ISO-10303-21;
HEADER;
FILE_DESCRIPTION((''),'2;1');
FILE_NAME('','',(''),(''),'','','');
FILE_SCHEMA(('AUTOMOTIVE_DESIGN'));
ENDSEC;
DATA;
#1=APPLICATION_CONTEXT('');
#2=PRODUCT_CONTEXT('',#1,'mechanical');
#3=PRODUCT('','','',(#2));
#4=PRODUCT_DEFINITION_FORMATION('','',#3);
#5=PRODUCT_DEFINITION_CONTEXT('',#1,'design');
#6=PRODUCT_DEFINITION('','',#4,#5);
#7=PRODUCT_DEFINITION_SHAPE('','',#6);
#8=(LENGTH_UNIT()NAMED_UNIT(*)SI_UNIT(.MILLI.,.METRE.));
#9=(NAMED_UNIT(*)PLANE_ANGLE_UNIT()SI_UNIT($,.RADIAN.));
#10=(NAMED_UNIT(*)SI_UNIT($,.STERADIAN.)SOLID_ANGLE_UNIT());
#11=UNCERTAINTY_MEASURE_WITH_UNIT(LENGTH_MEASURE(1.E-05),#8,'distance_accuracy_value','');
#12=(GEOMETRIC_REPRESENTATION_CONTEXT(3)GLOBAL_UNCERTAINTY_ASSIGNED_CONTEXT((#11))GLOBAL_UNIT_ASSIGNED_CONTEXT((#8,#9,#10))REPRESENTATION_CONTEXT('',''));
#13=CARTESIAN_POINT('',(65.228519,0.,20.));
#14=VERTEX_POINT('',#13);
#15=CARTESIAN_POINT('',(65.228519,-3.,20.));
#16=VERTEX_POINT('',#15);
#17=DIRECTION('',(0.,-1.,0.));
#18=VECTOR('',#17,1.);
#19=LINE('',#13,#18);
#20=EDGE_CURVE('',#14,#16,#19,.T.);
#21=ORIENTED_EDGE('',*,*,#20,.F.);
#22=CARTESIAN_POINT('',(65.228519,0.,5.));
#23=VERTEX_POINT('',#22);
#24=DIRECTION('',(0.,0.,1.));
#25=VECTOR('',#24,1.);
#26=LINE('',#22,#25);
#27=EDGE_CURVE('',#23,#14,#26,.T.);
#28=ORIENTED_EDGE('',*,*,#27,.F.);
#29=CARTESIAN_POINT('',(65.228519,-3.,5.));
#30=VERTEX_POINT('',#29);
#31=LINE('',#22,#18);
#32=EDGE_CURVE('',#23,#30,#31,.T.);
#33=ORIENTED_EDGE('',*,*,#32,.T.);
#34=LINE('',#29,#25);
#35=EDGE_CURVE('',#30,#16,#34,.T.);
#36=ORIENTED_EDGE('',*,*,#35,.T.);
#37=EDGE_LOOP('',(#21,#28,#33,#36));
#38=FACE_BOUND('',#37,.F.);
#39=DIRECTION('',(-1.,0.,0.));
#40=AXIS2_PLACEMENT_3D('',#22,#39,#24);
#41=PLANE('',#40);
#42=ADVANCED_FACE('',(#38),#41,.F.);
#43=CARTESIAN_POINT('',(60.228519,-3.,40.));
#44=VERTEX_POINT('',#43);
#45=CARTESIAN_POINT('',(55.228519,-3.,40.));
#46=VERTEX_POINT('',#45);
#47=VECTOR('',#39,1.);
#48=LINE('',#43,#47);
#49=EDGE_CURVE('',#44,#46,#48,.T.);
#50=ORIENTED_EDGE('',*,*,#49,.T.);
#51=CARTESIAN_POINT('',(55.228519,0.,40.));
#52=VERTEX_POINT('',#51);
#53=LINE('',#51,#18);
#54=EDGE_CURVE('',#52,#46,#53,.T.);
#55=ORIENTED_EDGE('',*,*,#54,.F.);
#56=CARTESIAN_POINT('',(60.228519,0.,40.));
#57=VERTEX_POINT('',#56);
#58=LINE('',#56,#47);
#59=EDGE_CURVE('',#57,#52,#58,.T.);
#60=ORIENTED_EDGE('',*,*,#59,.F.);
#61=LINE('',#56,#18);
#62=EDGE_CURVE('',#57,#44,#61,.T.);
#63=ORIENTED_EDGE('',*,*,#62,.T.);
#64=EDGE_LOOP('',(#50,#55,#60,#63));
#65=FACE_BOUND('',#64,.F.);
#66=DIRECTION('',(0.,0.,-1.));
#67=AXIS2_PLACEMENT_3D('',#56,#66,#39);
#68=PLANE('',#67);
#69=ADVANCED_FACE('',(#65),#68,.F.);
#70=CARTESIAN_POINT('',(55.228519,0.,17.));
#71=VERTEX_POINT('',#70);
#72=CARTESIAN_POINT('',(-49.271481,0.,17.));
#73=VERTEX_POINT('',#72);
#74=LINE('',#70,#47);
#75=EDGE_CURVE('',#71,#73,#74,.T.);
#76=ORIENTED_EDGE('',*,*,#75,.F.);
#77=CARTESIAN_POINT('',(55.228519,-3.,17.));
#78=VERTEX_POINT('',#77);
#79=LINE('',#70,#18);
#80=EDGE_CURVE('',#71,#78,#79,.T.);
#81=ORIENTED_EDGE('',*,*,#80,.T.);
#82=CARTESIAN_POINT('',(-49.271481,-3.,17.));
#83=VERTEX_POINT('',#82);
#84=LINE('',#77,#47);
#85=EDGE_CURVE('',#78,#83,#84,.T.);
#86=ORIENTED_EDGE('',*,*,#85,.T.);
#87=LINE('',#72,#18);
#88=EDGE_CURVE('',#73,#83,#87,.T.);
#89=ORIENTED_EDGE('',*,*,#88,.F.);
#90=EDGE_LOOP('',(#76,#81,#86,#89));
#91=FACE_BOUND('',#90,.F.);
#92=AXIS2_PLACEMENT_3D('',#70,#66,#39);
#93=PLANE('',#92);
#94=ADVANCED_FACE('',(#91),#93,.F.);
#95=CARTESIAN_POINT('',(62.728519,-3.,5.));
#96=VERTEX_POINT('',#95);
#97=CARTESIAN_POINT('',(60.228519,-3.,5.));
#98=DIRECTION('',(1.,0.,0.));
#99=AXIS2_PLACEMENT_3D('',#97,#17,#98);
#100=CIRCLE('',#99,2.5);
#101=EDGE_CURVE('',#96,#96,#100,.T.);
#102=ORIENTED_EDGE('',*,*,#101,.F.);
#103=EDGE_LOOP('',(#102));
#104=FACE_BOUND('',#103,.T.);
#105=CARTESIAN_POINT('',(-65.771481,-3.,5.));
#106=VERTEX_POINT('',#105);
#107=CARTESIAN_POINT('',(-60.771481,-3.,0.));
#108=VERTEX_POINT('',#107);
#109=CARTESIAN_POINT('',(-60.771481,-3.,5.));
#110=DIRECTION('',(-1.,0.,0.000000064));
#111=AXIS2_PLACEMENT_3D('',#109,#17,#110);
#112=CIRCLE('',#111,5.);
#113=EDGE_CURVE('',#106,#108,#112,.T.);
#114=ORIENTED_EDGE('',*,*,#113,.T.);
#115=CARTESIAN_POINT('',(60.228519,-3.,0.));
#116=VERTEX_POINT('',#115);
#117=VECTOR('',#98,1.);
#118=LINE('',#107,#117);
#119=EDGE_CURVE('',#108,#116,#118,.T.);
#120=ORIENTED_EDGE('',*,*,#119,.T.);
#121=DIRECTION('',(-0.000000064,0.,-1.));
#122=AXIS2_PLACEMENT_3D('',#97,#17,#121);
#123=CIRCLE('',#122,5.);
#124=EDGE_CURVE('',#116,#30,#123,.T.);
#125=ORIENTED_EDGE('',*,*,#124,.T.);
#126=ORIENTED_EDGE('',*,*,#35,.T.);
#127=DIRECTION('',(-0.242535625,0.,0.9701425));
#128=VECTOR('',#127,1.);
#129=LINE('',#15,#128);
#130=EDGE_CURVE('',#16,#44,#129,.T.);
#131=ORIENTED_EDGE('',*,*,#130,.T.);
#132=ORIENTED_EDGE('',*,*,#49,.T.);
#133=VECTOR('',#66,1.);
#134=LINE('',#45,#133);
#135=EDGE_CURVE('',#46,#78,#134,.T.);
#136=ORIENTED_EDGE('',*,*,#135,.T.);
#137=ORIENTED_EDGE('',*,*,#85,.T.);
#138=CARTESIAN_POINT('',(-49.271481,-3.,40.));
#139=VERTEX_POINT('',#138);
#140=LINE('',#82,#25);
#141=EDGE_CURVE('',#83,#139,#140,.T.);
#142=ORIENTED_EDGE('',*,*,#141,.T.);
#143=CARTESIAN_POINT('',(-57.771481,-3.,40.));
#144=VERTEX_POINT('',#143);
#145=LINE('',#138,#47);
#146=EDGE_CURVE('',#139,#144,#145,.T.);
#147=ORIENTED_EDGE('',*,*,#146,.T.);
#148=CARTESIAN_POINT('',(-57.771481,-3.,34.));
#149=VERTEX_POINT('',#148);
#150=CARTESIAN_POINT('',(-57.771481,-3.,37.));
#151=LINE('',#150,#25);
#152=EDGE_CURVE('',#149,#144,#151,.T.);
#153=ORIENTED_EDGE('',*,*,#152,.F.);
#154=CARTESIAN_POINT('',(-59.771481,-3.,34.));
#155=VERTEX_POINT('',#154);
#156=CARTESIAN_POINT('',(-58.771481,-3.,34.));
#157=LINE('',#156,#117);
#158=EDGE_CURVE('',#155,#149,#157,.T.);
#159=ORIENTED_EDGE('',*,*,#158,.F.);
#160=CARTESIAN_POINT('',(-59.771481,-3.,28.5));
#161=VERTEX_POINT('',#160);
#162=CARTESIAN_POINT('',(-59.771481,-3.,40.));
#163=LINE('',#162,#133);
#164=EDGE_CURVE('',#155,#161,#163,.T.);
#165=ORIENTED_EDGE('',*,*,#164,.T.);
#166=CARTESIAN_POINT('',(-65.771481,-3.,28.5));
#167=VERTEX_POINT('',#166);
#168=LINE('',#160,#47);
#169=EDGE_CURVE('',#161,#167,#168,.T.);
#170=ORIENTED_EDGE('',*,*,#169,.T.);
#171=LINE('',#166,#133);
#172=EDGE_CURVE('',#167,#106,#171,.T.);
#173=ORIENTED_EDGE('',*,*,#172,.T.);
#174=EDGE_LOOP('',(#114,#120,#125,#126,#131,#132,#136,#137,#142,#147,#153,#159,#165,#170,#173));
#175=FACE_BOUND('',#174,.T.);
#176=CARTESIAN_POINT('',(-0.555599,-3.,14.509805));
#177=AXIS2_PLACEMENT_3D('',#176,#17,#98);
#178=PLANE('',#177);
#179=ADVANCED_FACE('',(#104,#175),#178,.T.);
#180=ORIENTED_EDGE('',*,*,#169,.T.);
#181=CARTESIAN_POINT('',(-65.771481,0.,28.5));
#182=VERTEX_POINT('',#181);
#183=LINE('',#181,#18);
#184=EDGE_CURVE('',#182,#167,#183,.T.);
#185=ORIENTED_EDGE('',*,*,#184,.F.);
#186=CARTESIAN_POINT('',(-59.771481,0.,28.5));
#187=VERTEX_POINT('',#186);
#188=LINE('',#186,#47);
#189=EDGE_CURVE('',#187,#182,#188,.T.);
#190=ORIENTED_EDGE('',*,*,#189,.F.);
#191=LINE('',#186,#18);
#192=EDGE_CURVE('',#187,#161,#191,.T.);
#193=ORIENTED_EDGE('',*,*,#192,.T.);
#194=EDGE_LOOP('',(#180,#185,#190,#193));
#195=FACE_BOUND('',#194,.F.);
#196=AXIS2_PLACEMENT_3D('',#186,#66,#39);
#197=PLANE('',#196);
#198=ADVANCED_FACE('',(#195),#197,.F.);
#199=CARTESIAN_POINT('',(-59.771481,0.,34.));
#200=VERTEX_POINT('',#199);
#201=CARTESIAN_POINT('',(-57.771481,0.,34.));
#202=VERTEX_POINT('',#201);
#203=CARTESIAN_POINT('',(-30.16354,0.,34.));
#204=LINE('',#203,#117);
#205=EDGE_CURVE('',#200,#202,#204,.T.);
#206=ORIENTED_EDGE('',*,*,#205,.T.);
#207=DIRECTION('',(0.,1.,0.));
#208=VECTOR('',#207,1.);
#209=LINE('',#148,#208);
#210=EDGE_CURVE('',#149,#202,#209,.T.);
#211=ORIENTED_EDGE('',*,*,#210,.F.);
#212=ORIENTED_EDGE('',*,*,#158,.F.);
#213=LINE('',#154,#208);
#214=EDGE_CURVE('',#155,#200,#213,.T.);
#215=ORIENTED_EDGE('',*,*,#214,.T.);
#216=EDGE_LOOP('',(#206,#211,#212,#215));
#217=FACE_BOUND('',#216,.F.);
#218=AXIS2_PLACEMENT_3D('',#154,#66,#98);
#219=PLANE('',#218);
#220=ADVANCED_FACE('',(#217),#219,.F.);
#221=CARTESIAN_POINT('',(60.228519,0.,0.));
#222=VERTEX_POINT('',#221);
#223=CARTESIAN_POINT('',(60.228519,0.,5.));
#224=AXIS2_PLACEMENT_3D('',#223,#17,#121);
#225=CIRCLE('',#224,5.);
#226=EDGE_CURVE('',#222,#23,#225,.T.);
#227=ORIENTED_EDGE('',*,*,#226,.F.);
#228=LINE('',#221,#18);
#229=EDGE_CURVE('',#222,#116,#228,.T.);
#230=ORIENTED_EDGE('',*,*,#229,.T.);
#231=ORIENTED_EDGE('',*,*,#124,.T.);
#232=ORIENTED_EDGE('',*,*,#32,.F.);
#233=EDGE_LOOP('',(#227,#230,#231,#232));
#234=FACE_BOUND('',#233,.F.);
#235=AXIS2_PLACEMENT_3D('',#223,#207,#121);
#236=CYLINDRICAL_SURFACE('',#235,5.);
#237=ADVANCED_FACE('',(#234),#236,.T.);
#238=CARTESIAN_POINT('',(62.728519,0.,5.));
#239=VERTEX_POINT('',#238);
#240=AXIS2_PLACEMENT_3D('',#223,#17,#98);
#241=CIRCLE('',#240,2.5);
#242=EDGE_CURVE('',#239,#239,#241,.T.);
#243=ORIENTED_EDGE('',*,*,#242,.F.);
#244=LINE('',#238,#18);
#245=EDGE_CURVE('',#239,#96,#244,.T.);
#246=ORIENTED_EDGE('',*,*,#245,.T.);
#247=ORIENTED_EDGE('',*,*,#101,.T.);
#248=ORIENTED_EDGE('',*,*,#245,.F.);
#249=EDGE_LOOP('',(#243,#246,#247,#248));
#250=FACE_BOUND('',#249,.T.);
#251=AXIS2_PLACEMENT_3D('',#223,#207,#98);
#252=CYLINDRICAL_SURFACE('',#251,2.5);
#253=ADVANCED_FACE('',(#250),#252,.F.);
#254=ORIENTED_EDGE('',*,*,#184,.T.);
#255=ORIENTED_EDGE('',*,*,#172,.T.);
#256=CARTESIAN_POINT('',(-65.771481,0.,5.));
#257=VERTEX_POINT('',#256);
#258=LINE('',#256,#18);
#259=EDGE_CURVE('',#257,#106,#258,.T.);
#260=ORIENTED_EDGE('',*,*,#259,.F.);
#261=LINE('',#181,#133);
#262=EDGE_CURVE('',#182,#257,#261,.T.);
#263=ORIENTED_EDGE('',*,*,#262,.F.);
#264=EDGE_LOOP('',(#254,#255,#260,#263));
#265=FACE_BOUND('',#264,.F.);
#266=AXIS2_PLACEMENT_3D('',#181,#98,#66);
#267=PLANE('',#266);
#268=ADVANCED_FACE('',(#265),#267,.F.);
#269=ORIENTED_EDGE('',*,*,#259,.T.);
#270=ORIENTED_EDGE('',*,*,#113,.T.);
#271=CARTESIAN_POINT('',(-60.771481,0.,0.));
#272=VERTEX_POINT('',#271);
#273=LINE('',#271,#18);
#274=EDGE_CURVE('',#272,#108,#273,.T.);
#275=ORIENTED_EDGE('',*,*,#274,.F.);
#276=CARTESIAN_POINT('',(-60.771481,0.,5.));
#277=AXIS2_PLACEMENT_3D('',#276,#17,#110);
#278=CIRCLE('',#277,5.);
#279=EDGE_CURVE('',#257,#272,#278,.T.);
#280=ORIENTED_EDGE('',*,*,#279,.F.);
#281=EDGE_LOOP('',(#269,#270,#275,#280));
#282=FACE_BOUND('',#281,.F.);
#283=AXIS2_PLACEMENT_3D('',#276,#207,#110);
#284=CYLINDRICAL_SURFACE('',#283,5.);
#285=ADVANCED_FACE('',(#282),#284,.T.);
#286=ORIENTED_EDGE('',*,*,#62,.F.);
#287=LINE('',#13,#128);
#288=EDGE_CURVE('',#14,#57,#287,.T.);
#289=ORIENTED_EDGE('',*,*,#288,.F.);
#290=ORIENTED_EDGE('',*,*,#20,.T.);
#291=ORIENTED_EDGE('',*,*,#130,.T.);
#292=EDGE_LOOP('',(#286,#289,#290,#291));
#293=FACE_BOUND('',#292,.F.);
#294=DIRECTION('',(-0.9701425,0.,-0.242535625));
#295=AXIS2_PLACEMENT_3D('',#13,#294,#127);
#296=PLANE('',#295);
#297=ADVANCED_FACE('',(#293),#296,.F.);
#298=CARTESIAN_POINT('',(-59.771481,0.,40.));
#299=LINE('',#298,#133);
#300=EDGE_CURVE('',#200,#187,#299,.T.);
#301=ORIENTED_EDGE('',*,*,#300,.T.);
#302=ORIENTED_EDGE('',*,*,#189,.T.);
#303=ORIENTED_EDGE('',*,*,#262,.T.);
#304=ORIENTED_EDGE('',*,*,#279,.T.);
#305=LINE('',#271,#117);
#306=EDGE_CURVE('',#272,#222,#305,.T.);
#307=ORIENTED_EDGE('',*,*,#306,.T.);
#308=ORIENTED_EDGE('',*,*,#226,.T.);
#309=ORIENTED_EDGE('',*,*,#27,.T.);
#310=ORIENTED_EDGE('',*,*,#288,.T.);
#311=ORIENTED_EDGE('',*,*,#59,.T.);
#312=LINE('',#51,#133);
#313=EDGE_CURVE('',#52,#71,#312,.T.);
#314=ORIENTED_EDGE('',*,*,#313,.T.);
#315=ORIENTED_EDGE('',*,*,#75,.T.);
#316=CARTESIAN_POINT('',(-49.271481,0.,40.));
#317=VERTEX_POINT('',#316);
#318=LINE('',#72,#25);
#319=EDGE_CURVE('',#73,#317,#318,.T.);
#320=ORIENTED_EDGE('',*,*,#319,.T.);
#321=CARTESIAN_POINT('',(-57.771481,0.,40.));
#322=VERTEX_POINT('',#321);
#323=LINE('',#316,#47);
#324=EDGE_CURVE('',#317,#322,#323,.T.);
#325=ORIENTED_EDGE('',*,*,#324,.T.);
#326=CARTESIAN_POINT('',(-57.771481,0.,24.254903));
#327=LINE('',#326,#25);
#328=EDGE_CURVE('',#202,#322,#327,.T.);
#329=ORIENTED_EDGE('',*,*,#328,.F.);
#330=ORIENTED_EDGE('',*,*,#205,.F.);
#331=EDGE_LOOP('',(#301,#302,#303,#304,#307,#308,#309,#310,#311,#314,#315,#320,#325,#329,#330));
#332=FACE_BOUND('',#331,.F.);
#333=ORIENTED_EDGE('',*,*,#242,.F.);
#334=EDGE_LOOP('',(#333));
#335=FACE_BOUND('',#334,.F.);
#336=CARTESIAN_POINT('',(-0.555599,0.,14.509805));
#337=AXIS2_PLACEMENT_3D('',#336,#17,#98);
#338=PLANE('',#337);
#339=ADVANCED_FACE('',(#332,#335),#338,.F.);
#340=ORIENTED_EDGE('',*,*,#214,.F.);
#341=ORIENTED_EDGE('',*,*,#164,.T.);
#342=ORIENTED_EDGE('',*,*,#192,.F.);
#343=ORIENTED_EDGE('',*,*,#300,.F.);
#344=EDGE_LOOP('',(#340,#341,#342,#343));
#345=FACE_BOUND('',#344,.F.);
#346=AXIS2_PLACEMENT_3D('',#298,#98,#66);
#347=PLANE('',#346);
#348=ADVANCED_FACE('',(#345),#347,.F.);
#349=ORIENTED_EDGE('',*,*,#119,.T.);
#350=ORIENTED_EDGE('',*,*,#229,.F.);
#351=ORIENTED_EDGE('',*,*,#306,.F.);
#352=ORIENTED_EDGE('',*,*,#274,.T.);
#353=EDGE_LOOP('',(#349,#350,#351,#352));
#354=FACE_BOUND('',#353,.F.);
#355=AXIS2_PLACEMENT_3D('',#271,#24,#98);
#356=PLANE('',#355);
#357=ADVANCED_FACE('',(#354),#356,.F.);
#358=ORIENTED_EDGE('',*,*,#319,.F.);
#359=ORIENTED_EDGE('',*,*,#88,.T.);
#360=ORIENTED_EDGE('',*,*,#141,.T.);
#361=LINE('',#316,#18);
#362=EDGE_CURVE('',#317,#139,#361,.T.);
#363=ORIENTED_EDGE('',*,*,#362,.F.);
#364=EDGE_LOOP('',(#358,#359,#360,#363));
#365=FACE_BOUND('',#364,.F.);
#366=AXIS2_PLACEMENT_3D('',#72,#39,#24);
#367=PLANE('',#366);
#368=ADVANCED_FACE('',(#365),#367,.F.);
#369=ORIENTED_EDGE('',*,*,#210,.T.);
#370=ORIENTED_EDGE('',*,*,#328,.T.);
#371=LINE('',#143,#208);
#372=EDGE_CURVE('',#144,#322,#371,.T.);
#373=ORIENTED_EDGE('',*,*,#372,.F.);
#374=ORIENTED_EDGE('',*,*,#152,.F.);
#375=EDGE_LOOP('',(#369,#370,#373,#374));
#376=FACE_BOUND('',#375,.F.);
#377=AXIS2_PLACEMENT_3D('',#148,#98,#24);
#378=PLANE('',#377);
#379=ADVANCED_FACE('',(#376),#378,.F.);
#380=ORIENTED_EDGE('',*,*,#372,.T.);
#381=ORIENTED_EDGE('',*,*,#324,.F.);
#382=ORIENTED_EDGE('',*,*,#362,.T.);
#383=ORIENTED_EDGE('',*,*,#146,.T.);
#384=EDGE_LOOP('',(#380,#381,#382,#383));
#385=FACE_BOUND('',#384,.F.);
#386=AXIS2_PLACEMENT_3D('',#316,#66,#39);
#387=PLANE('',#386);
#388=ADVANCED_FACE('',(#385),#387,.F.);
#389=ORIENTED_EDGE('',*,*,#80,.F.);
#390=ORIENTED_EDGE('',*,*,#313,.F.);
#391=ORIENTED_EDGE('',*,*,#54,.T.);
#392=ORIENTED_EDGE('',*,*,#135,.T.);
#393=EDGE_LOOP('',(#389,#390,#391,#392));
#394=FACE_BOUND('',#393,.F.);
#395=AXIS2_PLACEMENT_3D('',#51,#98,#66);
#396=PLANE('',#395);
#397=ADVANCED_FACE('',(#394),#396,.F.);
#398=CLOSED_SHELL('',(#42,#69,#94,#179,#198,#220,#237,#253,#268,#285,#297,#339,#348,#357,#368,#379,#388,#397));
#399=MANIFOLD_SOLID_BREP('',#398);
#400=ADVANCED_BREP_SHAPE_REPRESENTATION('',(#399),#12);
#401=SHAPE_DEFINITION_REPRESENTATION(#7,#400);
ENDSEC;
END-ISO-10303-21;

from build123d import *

# Parameters (mm, degrees)
F0_R     = 2.5
F1_DEPTH = 3
F2_W     = 2
F2_H     = 6
F3_DEPTH = 3.001


with BuildPart() as f1:
    # F0 (on Front) → F1 (new body)
    with BuildSketch(Plane.XZ):
        with BuildLine():
            Line((-59.771481, 28.5), (-65.771481, 28.5))
            Line((-65.771481, 28.5), (-65.771481, 5))
            ThreePointArc((-65.771481, 5), (-64.307015, 1.464466), (-60.771481, 0))
            Line((-60.771481, 0), (60.228519, 0))
            ThreePointArc((60.228519, 0), (63.764053, 1.464466), (65.228519, 5))
            Line((65.228519, 5), (65.228519, 20))
            Line((65.228519, 20), (60.228519, 40))
            Line((60.228519, 40), (55.228519, 40))
            Line((55.228519, 40), (55.228519, 17))
            Line((55.228519, 17), (-49.271481, 17))
            Line((-49.271481, 17), (-49.271481, 40))
            Line((-49.271481, 40), (-59.771481, 40))
            Line((-59.771481, 40), (-59.771481, 28.5))
        make_face()
        with Locations((60.228519, 5)):
            Circle(F0_R, mode=Mode.SUBTRACT)
    extrude(amount=F1_DEPTH)

    # F2 (on face) → F3 (cut, through all)
    with BuildSketch(Plane.XZ.offset(3)):
        with Locations((-58.771481, 37)):
            Rectangle(F2_W, F2_H)
    extrude(amount=-F3_DEPTH, mode=Mode.SUBTRACT)


solid = f1.part
